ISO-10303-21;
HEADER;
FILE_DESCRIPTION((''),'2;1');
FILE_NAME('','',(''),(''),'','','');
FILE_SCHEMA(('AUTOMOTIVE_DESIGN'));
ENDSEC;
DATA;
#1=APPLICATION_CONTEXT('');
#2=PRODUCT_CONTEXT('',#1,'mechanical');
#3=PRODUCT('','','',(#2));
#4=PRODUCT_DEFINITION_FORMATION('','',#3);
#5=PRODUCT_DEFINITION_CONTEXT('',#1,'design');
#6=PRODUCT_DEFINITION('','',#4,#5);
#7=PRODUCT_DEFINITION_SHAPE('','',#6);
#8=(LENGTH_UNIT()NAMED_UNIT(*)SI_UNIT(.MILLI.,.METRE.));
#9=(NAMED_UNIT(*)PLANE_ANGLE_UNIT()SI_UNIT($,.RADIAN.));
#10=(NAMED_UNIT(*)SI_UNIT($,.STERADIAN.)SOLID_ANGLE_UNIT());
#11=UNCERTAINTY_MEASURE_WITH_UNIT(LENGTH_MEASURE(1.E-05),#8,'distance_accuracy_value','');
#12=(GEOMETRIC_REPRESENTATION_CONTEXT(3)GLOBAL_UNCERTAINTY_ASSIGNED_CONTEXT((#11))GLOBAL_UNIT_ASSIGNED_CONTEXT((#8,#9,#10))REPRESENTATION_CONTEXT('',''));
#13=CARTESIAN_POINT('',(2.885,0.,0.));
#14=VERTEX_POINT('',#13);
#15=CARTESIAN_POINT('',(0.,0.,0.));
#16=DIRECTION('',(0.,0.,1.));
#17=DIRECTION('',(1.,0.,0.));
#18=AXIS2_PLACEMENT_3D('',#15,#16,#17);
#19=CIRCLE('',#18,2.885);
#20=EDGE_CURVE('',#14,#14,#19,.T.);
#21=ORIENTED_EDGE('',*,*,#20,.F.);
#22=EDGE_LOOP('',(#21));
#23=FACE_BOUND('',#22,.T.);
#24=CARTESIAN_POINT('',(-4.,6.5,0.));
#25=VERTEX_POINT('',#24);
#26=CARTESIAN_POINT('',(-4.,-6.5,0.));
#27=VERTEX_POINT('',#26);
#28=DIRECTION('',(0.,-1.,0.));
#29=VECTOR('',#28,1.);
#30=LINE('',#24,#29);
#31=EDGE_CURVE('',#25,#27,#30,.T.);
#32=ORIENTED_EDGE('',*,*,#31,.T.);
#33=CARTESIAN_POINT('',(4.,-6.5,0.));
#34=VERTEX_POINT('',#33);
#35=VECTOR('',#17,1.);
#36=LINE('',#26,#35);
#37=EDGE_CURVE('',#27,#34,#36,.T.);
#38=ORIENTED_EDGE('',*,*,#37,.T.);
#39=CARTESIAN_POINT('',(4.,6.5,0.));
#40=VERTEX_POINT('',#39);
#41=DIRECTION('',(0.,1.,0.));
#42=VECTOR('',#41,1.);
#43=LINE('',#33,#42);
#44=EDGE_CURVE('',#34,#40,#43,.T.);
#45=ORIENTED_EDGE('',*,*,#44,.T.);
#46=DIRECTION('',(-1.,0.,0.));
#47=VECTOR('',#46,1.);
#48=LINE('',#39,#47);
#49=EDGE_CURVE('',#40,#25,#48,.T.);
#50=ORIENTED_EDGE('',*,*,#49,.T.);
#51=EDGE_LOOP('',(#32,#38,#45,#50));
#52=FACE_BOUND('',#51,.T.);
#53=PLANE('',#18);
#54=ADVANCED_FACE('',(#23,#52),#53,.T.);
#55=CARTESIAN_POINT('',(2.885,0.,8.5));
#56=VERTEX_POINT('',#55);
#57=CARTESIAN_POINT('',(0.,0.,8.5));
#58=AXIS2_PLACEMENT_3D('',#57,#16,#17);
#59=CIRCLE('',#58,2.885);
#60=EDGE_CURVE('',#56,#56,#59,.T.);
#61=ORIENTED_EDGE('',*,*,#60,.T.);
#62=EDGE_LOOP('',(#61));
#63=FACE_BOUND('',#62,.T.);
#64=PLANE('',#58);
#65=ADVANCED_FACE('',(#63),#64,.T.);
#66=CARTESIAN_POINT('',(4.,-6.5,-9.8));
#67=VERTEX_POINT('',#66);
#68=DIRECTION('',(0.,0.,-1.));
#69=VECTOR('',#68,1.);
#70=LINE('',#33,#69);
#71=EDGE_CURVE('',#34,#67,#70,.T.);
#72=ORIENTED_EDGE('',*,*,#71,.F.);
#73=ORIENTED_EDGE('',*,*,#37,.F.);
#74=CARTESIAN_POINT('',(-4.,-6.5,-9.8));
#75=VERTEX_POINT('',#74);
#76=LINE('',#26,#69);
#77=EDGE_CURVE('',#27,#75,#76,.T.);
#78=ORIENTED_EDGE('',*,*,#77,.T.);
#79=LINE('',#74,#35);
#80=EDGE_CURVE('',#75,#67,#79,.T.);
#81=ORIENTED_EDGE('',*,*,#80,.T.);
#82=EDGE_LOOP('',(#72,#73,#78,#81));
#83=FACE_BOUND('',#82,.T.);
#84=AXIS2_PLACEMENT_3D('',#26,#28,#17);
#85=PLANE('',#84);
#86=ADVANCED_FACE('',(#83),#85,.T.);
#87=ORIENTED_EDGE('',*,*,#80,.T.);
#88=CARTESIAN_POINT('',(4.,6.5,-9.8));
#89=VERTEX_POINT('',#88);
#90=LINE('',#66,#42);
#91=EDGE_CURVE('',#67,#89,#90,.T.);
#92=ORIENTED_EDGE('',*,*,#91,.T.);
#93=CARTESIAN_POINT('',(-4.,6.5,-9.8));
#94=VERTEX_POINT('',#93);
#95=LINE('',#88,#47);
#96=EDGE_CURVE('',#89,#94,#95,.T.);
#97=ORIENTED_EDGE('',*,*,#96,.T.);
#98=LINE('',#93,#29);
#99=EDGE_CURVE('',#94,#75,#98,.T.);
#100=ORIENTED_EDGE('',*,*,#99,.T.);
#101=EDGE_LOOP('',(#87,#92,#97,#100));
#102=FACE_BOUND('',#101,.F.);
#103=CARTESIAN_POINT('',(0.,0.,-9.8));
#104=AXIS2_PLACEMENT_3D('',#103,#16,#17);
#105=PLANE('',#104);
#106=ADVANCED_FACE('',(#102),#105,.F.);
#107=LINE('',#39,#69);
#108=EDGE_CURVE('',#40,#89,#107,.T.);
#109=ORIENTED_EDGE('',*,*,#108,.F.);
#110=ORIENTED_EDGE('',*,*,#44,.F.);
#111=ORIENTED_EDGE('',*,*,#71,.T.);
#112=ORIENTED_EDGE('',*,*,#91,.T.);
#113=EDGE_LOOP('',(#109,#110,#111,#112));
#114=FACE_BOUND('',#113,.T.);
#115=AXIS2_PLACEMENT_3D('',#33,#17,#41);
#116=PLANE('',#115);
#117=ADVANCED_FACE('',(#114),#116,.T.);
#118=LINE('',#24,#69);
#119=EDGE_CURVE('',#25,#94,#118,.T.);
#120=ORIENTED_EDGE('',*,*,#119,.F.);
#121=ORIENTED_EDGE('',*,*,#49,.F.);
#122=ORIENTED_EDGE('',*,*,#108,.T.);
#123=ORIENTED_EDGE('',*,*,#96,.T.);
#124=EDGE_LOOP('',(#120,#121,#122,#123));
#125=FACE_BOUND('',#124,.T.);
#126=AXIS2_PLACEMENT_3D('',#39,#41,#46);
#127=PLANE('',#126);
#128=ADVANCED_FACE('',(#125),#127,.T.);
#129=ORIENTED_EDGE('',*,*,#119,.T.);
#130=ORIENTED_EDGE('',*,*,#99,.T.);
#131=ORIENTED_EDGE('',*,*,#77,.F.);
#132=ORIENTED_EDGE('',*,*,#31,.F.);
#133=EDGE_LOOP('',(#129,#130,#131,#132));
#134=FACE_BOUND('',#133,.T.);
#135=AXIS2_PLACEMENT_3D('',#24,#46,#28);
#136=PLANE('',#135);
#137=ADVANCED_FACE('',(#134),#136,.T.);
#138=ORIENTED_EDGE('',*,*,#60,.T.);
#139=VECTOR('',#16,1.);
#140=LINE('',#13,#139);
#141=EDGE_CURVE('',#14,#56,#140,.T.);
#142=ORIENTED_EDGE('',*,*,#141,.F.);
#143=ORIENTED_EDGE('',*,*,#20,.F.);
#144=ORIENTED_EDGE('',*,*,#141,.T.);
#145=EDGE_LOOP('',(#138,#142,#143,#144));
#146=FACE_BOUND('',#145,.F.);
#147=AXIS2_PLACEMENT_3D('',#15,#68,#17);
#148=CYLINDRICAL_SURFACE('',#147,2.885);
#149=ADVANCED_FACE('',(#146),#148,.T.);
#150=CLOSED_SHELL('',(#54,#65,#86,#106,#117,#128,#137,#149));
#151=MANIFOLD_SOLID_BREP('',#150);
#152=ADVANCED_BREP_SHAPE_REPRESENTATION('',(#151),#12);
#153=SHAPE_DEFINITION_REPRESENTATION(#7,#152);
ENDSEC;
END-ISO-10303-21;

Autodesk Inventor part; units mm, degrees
ref_plane "YZ Plane" through (0, 0, 0) normal (1, 0, 0) x (0, 1, 0)
ref_plane "XZ Plane" through (0, 0, 0) normal (0, 1, 0) x (-1, 0, 0)
ref_plane "XY Plane" through (0, 0, 0) normal (0, 0, 1) x (1, 0, 0)
sketch "Sketch1" plane through (0, 0, 0) normal (0, 0, 1) x (1, 0, 0)
  line L0 (-4, -6.5) -> (4, -6.5)
  line L1 (4, -6.5) -> (4, 6.5)
  line L2 (4, 6.5) -> (-4, 6.5)
  line L3 (-4, 6.5) -> (-4, -6.5)
  line L4 (-4, -6.5) -> (4, 6.5) construction
  line L5 (4, -6.5) -> (-4, 6.5) construction
  point P0 (0, 0)
  dimension "d0" = 13
  dimension "d1" = 8
extrude "Extrusion1" add sketch "Sketch1" against normal blind 9.8
sketch "Sketch2" plane through (0, 0, 0) normal (0, 0, 1) x (1, 0, 0)
  circle A0 centre (0, 0) radius 2.885
  dimension "d4" = 5.77
extrude "Extrusion2" add sketch "Sketch2" along normal blind 8.5
properties part number "switch"
